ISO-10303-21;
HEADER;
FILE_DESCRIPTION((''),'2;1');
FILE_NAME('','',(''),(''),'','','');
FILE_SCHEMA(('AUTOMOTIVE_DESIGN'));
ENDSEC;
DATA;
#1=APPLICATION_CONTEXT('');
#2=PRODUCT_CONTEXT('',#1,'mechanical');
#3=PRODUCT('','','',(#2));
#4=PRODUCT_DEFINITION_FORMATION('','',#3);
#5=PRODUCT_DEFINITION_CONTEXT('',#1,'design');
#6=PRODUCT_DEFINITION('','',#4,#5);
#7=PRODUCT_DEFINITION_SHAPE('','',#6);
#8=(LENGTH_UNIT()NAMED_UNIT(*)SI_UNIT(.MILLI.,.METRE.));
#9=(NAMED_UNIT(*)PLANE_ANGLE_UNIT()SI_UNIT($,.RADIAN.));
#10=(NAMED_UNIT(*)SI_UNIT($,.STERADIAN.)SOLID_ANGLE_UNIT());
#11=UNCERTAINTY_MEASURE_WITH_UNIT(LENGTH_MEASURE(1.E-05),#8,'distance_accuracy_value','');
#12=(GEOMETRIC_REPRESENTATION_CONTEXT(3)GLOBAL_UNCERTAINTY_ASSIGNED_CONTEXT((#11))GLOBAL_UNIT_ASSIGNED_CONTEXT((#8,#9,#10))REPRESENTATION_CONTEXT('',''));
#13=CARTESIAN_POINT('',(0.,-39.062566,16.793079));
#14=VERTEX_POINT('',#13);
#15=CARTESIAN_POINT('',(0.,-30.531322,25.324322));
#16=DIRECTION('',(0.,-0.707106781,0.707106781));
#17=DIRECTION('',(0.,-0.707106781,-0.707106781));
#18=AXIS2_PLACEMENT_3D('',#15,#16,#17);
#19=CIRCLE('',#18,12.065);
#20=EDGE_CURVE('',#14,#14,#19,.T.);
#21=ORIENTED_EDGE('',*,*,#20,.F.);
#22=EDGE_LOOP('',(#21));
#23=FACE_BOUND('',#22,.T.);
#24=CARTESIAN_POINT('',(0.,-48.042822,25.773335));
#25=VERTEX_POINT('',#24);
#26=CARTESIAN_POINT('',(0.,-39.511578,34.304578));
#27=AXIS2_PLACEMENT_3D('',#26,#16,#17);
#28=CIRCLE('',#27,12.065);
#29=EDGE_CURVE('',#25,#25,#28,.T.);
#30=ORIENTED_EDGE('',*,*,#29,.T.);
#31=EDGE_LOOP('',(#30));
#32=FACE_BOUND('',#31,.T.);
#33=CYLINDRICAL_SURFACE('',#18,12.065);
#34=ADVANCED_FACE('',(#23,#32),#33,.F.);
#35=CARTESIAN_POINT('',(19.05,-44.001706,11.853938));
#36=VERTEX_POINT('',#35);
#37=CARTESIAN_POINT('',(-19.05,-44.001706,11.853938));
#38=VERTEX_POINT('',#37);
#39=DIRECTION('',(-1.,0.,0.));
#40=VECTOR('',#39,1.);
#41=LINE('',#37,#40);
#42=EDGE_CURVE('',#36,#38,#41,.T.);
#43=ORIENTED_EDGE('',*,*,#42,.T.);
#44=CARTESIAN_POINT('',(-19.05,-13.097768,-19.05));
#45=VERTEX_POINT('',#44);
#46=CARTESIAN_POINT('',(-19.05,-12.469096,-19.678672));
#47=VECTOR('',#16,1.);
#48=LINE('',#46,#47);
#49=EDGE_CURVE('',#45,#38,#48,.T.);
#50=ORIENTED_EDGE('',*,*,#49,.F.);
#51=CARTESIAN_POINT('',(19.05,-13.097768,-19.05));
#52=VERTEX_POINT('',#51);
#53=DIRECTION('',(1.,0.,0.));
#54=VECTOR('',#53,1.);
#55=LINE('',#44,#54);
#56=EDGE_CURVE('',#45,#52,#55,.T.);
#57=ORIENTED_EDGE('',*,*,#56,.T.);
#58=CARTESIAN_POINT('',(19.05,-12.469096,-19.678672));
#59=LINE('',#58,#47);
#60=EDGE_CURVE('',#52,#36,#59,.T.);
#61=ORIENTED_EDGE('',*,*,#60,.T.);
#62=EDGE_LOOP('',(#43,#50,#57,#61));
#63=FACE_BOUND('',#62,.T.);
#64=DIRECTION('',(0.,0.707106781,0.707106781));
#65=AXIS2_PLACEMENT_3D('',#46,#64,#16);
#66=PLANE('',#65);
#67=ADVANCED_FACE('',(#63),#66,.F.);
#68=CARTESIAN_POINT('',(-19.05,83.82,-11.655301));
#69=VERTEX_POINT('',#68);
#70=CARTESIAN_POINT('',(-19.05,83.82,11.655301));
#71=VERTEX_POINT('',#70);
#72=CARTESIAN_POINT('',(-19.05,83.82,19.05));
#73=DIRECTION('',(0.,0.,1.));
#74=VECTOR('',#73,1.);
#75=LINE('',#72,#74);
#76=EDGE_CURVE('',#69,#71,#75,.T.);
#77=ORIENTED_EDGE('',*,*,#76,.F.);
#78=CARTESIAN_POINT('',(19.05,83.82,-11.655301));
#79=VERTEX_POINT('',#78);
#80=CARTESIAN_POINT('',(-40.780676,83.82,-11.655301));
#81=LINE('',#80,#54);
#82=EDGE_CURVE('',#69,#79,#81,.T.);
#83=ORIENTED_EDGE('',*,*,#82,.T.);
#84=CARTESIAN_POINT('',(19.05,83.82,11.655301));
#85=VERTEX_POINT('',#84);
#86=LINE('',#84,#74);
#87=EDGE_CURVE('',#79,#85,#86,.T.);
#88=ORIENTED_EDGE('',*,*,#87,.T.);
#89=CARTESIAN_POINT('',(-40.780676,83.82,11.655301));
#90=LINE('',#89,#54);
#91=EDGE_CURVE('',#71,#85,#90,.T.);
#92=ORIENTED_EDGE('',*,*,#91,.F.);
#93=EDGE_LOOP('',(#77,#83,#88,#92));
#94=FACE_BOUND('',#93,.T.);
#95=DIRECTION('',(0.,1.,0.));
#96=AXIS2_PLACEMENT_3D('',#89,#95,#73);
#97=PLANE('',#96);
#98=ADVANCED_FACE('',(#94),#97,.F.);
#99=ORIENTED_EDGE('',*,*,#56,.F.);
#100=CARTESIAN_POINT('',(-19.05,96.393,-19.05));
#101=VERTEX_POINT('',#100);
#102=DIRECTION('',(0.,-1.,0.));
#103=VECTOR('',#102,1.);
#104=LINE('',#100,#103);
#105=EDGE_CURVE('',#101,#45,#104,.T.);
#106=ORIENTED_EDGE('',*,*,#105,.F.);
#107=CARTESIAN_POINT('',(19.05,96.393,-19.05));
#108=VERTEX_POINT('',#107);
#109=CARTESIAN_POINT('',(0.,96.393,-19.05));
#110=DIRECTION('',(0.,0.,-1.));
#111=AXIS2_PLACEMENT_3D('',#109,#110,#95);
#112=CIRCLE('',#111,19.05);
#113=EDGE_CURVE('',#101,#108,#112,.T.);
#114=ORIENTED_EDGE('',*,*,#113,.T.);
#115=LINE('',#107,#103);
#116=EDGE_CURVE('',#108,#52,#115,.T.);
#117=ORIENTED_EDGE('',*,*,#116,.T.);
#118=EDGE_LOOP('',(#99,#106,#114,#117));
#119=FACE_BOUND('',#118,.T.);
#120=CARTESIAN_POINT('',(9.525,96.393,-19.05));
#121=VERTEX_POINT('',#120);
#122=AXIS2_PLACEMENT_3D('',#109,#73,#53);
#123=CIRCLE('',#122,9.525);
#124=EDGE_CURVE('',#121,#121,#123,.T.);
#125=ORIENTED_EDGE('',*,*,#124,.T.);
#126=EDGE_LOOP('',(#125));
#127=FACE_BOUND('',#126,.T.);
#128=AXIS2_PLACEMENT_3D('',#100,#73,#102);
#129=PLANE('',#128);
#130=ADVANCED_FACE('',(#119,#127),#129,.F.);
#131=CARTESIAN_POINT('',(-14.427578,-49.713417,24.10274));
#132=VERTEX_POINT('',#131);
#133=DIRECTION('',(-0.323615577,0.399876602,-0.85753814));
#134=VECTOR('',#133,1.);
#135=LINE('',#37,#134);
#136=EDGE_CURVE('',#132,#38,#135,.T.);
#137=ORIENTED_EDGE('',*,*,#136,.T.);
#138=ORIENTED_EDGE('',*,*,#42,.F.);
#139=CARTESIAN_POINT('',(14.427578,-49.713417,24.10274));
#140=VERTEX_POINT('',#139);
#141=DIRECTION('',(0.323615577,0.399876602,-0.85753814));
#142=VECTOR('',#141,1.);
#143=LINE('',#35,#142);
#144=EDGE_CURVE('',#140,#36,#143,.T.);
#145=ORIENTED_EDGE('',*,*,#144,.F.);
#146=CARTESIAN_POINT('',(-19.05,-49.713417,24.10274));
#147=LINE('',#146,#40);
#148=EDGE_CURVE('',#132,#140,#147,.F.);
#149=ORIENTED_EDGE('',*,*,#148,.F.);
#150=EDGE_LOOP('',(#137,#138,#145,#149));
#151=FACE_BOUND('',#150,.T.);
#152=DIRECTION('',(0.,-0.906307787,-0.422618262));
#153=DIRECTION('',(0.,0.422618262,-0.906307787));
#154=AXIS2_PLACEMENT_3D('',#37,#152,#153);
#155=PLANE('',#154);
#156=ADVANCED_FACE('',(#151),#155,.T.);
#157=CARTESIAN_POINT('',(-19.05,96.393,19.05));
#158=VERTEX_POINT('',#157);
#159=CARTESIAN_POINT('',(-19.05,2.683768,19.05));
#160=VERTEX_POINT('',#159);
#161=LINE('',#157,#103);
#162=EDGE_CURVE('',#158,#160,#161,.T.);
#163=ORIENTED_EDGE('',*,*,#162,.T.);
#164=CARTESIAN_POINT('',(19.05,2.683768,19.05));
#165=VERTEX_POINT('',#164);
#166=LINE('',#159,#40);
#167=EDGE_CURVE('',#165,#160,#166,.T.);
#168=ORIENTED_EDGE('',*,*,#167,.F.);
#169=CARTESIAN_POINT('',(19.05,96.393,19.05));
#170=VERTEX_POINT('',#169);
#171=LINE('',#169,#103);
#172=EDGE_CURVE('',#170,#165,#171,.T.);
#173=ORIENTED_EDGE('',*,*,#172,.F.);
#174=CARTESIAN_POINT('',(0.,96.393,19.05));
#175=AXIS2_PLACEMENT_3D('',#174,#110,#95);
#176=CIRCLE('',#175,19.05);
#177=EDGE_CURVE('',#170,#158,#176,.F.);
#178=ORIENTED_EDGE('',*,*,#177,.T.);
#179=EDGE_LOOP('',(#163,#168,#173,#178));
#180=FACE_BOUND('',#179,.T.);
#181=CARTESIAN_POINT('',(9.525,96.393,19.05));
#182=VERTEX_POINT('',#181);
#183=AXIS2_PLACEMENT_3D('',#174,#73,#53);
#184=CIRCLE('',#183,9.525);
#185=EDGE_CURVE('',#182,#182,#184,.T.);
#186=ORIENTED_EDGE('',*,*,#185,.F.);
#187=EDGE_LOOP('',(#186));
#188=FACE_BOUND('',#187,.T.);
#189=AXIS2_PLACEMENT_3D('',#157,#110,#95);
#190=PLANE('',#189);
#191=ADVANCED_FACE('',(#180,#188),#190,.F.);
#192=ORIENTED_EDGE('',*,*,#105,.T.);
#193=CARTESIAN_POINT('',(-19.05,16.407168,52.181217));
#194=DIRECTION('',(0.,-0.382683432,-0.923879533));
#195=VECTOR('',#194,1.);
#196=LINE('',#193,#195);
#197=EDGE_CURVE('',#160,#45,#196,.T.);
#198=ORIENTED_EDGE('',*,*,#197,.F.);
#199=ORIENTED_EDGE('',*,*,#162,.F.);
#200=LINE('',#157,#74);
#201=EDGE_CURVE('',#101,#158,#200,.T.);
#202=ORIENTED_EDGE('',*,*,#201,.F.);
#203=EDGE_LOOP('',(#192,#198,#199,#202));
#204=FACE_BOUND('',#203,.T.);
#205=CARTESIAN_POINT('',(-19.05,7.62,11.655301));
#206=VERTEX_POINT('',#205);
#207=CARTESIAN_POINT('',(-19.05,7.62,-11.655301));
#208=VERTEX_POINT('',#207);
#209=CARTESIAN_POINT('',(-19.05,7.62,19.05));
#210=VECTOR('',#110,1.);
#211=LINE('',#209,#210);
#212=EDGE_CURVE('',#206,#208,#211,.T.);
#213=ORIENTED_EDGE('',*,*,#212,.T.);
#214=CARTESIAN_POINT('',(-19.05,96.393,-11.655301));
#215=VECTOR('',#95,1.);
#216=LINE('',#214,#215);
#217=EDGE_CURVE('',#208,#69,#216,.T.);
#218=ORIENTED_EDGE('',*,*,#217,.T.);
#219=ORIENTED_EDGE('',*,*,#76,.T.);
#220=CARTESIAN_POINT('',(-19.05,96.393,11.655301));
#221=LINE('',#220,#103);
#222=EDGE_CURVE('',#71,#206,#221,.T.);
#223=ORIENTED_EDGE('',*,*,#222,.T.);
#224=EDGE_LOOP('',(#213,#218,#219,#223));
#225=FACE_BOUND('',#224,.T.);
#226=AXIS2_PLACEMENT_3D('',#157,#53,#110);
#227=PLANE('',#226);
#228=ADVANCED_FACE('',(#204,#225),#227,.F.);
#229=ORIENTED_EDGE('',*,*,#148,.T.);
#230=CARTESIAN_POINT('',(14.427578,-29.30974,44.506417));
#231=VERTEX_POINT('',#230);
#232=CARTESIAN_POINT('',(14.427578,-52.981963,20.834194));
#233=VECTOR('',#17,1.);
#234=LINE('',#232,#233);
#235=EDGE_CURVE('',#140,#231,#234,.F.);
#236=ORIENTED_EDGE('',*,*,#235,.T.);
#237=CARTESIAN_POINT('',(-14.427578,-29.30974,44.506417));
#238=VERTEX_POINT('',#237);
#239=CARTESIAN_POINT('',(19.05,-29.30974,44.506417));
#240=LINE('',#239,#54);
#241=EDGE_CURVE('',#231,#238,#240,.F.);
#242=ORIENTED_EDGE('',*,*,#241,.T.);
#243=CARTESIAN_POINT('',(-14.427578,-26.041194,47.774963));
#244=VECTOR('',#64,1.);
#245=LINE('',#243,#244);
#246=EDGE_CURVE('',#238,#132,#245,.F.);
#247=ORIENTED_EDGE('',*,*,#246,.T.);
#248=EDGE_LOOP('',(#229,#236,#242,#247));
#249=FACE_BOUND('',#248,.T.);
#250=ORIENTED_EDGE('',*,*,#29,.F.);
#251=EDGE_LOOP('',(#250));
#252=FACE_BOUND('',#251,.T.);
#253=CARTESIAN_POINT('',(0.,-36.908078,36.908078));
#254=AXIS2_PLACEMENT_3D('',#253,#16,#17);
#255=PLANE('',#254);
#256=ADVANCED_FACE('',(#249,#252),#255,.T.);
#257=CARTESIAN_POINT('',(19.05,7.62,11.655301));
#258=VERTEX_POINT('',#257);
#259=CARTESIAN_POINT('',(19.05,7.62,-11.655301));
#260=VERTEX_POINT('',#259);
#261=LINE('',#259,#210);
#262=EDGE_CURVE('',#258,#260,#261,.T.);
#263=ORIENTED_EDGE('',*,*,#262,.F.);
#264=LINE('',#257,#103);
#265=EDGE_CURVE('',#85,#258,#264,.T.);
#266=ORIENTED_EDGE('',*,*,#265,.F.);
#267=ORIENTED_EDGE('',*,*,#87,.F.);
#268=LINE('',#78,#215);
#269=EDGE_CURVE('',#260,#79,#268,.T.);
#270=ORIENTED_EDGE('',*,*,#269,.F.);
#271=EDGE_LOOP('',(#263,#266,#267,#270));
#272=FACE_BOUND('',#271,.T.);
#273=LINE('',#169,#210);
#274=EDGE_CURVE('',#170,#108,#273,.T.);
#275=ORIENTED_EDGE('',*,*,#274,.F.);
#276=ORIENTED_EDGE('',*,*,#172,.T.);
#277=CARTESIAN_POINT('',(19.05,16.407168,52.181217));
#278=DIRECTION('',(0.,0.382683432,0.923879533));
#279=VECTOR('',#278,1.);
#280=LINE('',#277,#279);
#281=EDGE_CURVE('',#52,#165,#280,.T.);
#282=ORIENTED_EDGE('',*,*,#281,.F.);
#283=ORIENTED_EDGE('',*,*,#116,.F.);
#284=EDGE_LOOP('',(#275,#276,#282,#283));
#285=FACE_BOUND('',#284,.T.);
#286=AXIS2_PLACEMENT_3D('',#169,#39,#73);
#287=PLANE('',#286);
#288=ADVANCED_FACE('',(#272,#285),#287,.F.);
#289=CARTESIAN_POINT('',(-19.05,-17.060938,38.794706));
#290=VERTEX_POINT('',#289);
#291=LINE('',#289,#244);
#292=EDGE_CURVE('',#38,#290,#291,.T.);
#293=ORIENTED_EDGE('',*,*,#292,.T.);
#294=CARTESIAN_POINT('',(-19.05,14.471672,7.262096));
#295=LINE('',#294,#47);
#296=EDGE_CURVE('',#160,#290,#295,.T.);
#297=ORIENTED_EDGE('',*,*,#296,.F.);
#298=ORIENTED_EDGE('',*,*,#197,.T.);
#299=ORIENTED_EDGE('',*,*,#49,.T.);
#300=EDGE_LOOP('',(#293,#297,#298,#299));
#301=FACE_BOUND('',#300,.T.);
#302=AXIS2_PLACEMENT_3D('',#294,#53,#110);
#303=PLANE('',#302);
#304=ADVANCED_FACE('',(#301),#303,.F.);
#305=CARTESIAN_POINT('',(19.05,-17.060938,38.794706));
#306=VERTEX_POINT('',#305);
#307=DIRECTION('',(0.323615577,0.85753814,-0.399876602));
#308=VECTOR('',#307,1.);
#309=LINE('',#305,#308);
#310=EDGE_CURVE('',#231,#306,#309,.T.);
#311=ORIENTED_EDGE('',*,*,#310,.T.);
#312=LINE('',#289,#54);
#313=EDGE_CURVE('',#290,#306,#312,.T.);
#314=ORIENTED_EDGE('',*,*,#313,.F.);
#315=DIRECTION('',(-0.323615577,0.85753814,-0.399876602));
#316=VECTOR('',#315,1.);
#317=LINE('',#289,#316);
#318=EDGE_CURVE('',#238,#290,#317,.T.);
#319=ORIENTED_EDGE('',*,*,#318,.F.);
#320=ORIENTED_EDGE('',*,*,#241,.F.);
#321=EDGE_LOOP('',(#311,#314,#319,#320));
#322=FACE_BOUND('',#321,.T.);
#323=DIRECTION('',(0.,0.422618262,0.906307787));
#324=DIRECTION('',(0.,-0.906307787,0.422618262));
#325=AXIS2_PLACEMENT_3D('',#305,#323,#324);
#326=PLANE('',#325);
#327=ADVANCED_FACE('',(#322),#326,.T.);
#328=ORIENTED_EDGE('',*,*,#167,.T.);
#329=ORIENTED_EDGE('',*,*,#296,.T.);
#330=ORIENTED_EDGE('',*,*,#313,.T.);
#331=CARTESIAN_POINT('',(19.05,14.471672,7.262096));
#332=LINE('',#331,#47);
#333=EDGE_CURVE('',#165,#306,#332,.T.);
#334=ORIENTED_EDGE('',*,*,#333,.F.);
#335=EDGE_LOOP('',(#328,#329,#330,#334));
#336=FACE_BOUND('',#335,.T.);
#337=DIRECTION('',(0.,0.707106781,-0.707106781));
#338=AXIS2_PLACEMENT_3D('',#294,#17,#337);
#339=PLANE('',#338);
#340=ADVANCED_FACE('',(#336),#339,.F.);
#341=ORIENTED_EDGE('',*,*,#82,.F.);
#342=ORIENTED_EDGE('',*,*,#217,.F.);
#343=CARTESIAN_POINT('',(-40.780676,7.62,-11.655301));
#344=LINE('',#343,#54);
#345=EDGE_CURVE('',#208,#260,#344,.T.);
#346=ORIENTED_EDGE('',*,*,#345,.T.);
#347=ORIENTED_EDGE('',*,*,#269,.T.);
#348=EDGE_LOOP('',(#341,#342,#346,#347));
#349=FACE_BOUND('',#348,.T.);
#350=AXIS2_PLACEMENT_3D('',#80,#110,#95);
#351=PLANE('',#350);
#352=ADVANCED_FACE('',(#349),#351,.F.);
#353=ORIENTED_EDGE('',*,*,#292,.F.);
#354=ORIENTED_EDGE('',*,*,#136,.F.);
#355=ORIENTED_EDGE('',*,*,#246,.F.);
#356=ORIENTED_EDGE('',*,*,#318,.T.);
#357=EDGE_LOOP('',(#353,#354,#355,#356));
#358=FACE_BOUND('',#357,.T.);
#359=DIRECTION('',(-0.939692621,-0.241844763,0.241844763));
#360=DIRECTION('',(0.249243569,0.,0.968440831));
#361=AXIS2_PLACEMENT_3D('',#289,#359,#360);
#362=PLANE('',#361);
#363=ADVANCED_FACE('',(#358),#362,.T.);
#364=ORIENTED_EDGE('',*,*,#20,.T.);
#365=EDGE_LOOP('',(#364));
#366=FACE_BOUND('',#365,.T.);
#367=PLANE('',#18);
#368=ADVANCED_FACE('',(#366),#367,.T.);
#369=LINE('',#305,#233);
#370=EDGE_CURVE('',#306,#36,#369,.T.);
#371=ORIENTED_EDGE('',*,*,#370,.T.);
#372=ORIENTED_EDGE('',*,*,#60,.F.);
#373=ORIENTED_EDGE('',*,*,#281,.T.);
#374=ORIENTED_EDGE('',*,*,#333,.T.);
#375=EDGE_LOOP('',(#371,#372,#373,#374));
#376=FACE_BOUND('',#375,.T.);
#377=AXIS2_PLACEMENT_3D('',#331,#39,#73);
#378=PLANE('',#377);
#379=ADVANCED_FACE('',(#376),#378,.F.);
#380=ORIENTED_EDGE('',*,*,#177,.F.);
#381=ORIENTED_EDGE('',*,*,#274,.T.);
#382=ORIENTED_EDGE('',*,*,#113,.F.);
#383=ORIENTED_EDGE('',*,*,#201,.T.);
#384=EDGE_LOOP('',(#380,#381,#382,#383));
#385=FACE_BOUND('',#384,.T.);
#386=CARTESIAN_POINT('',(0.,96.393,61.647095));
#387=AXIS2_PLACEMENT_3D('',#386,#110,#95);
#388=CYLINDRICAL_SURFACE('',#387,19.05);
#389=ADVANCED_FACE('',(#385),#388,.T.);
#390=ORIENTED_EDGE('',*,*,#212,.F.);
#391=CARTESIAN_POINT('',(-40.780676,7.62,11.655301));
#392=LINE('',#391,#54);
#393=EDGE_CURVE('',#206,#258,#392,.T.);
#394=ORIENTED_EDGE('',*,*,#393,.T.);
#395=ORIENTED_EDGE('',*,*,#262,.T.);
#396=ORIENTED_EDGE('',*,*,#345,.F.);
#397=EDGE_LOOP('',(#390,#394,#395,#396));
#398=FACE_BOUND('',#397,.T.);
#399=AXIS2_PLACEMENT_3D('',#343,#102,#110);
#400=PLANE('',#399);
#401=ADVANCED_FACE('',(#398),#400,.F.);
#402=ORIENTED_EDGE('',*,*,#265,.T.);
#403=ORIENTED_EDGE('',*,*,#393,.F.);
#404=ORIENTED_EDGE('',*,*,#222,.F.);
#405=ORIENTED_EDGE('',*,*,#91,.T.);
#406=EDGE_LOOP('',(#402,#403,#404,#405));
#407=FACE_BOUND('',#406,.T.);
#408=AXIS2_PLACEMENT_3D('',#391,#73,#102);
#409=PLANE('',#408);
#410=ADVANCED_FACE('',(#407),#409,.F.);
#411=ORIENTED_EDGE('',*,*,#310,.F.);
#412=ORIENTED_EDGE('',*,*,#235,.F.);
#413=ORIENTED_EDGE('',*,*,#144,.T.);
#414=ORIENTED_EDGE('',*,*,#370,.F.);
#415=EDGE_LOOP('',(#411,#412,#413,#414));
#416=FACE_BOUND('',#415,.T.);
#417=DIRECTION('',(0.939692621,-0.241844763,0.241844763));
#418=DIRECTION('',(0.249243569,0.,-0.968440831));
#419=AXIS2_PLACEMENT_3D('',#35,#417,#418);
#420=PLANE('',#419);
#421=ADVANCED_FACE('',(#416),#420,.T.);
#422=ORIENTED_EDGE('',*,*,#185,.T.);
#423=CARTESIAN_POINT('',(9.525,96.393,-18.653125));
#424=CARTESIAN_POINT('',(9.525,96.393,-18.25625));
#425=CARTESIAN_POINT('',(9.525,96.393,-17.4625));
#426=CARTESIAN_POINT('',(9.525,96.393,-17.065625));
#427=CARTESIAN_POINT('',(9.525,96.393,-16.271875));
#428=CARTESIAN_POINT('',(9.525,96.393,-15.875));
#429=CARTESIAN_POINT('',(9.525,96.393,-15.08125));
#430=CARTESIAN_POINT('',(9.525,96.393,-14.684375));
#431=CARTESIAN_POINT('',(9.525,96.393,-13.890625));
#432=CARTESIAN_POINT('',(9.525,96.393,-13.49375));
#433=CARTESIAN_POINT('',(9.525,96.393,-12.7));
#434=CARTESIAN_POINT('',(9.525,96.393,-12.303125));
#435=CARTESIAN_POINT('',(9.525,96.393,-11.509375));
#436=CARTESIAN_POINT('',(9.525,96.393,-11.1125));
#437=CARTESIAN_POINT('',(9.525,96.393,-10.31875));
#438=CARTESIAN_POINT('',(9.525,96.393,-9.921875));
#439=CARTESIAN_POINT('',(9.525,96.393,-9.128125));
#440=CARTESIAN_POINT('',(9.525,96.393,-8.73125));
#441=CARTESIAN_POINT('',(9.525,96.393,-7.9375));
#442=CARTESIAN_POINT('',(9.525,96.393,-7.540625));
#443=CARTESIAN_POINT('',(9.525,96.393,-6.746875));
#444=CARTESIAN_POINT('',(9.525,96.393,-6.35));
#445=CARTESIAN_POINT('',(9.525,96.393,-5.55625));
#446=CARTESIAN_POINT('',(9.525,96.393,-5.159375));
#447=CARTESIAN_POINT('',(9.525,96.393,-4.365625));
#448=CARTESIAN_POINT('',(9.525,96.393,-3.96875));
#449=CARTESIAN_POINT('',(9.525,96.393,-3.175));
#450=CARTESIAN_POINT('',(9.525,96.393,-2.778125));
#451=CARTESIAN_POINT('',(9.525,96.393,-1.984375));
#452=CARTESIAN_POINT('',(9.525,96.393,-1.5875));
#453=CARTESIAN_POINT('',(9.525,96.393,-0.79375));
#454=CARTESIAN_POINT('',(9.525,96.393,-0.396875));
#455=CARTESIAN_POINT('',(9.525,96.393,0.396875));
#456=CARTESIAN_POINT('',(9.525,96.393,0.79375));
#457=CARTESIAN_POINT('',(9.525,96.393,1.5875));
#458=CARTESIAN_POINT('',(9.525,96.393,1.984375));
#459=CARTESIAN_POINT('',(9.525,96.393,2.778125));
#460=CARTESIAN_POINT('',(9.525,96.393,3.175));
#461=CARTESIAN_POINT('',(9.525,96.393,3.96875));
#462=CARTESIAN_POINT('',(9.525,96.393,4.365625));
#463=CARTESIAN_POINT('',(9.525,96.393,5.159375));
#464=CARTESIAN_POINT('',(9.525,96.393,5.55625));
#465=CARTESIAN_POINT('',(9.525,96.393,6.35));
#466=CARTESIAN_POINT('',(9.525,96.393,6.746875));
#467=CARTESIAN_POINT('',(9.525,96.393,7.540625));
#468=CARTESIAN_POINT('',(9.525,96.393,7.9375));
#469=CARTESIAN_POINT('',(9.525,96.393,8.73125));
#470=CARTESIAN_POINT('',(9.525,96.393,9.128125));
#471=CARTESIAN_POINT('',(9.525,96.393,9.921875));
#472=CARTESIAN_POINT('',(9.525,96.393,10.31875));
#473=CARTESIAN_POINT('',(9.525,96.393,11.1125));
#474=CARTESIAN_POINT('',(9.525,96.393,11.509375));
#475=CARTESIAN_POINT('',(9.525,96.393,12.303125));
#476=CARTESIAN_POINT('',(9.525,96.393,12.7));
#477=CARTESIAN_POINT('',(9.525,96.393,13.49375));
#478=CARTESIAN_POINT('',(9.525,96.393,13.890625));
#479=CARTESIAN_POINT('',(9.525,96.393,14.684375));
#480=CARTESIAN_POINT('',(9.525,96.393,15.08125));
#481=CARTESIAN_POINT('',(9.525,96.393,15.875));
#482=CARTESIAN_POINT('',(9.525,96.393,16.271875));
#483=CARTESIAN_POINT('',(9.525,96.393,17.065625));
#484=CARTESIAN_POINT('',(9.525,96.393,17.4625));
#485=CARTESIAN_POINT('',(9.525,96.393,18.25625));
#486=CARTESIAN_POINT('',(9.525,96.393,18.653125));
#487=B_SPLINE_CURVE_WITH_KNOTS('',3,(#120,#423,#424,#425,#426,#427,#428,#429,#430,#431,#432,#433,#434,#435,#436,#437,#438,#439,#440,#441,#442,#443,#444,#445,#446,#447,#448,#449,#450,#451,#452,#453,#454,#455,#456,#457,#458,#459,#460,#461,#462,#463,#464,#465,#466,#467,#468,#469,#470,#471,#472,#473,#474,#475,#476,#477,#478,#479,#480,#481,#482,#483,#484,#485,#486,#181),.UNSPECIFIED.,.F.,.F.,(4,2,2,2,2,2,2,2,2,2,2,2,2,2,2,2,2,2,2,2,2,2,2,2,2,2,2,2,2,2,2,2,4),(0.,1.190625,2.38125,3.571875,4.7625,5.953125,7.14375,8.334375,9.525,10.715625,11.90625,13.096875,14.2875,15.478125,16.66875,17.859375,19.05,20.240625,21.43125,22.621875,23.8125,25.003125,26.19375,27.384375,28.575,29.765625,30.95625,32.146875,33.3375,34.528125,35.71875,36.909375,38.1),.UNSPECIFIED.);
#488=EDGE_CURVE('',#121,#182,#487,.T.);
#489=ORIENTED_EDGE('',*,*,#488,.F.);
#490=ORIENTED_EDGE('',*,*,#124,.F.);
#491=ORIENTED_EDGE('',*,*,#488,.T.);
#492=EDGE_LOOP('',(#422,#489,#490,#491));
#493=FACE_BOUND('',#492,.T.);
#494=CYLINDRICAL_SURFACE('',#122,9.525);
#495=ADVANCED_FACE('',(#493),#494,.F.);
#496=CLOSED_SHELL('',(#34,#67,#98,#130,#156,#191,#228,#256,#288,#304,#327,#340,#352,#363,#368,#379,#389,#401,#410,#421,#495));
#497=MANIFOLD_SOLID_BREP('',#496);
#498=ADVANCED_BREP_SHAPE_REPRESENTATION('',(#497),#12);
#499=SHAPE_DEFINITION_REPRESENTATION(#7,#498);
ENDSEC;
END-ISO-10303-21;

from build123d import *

# Parameters (mm, degrees)
SKETCH11_W          = 38.1
SKETCH11_H          = 38.1
SKETCH12_W          = 38.1
SKETCH12_H          = 38.1
BOSS_EXTRUDE5_DEPTH = 12.7
BOSS_EXTRUDE5_TAPER = 20
BOSS_EXTRUDE6_DEPTH = 38.1
SKETCH14_R          = 9.525
CUT_EXTRUDE2_DEPTH  = 38.1
SKETCH15_R          = 12.065
CUT_EXTRUDE3_DEPTH  = 12.7
SKETCH16_W          = 23.310601064
SKETCH16_H          = 76.2
CUT_EXTRUDE4_DEPTH  = 59.830675793


with BuildPart() as part:
    # Sweep1: sweep along a path in Sketch10
    with BuildLine(Plane(origin=(0, 0, 0), x_dir=(0, 0, -1), z_dir=(1, 0, 0))) as sweep1_path:
        Line((0, 96.393), (0, -5.207))
        Line((0, -5.207), (-25.324322261, -30.531322261))
    # Sketch11 → Sweep1 (sweep)
    with BuildSketch(Plane(origin=(0, 96.393, 0), x_dir=(1, 0, 0), z_dir=(0, 1, 0))):
        Rectangle(SKETCH11_W, SKETCH11_H)
    sweep(path=sweep1_path.line, transition=Transition.RIGHT)

    # Sketch12 → Boss-Extrude5 (add)
    with BuildSketch(Plane(origin=(0, -27.927822261, 27.927822261), x_dir=(1, 0, 0), z_dir=(0, -0.7071067811865461, 0.7071067811865489))):
        with Locations((0, -3.68190501)):
            Rectangle(SKETCH12_W, SKETCH12_H)
    extrude(amount=BOSS_EXTRUDE5_DEPTH, taper=BOSS_EXTRUDE5_TAPER)

    # Sketch13 → Boss-Extrude6 (add)
    with BuildSketch(Plane(origin=(0, 0, -19.05), x_dir=(-1, 0, 0), z_dir=(0, 0, -1))):
        with BuildLine():
            Line((-19.05, 96.393), (19.05, 96.393))
            ThreePointArc((19.05, 96.393), (0, 115.443), (-19.05, 96.393))
        make_face()
    extrude(amount=-BOSS_EXTRUDE6_DEPTH)

    # Sketch14 → Cut-Extrude2 (cut)
    with BuildSketch(Plane.XY.offset(19.05)):
        with Locations((0, 96.393)):
            Circle(SKETCH14_R)
    extrude(amount=-CUT_EXTRUDE2_DEPTH, mode=Mode.SUBTRACT)

    # Sketch15 → Cut-Extrude3 (cut)
    with BuildSketch(Plane(origin=(0, -36.908078382, 36.908078382), x_dir=(1, 0, 0), z_dir=(0, -0.7071067811865461, 0.7071067811865489))):
        with Locations(Location((0, -3.68190501, 0), (0, 0, 270))):
            Circle(SKETCH15_R)
    extrude(amount=-CUT_EXTRUDE3_DEPTH, mode=Mode.SUBTRACT)

    # Sketch16 → Cut-Extrude4 (cut)
    with BuildSketch(Plane(origin=(19.05, 0, 0), x_dir=(0, 0, -1), z_dir=(1, 0, 0))):
        with Locations((0, 45.72)):
            Rectangle(SKETCH16_W, SKETCH16_H)
    extrude(amount=-CUT_EXTRUDE4_DEPTH, mode=Mode.SUBTRACT)


solid = part.part
